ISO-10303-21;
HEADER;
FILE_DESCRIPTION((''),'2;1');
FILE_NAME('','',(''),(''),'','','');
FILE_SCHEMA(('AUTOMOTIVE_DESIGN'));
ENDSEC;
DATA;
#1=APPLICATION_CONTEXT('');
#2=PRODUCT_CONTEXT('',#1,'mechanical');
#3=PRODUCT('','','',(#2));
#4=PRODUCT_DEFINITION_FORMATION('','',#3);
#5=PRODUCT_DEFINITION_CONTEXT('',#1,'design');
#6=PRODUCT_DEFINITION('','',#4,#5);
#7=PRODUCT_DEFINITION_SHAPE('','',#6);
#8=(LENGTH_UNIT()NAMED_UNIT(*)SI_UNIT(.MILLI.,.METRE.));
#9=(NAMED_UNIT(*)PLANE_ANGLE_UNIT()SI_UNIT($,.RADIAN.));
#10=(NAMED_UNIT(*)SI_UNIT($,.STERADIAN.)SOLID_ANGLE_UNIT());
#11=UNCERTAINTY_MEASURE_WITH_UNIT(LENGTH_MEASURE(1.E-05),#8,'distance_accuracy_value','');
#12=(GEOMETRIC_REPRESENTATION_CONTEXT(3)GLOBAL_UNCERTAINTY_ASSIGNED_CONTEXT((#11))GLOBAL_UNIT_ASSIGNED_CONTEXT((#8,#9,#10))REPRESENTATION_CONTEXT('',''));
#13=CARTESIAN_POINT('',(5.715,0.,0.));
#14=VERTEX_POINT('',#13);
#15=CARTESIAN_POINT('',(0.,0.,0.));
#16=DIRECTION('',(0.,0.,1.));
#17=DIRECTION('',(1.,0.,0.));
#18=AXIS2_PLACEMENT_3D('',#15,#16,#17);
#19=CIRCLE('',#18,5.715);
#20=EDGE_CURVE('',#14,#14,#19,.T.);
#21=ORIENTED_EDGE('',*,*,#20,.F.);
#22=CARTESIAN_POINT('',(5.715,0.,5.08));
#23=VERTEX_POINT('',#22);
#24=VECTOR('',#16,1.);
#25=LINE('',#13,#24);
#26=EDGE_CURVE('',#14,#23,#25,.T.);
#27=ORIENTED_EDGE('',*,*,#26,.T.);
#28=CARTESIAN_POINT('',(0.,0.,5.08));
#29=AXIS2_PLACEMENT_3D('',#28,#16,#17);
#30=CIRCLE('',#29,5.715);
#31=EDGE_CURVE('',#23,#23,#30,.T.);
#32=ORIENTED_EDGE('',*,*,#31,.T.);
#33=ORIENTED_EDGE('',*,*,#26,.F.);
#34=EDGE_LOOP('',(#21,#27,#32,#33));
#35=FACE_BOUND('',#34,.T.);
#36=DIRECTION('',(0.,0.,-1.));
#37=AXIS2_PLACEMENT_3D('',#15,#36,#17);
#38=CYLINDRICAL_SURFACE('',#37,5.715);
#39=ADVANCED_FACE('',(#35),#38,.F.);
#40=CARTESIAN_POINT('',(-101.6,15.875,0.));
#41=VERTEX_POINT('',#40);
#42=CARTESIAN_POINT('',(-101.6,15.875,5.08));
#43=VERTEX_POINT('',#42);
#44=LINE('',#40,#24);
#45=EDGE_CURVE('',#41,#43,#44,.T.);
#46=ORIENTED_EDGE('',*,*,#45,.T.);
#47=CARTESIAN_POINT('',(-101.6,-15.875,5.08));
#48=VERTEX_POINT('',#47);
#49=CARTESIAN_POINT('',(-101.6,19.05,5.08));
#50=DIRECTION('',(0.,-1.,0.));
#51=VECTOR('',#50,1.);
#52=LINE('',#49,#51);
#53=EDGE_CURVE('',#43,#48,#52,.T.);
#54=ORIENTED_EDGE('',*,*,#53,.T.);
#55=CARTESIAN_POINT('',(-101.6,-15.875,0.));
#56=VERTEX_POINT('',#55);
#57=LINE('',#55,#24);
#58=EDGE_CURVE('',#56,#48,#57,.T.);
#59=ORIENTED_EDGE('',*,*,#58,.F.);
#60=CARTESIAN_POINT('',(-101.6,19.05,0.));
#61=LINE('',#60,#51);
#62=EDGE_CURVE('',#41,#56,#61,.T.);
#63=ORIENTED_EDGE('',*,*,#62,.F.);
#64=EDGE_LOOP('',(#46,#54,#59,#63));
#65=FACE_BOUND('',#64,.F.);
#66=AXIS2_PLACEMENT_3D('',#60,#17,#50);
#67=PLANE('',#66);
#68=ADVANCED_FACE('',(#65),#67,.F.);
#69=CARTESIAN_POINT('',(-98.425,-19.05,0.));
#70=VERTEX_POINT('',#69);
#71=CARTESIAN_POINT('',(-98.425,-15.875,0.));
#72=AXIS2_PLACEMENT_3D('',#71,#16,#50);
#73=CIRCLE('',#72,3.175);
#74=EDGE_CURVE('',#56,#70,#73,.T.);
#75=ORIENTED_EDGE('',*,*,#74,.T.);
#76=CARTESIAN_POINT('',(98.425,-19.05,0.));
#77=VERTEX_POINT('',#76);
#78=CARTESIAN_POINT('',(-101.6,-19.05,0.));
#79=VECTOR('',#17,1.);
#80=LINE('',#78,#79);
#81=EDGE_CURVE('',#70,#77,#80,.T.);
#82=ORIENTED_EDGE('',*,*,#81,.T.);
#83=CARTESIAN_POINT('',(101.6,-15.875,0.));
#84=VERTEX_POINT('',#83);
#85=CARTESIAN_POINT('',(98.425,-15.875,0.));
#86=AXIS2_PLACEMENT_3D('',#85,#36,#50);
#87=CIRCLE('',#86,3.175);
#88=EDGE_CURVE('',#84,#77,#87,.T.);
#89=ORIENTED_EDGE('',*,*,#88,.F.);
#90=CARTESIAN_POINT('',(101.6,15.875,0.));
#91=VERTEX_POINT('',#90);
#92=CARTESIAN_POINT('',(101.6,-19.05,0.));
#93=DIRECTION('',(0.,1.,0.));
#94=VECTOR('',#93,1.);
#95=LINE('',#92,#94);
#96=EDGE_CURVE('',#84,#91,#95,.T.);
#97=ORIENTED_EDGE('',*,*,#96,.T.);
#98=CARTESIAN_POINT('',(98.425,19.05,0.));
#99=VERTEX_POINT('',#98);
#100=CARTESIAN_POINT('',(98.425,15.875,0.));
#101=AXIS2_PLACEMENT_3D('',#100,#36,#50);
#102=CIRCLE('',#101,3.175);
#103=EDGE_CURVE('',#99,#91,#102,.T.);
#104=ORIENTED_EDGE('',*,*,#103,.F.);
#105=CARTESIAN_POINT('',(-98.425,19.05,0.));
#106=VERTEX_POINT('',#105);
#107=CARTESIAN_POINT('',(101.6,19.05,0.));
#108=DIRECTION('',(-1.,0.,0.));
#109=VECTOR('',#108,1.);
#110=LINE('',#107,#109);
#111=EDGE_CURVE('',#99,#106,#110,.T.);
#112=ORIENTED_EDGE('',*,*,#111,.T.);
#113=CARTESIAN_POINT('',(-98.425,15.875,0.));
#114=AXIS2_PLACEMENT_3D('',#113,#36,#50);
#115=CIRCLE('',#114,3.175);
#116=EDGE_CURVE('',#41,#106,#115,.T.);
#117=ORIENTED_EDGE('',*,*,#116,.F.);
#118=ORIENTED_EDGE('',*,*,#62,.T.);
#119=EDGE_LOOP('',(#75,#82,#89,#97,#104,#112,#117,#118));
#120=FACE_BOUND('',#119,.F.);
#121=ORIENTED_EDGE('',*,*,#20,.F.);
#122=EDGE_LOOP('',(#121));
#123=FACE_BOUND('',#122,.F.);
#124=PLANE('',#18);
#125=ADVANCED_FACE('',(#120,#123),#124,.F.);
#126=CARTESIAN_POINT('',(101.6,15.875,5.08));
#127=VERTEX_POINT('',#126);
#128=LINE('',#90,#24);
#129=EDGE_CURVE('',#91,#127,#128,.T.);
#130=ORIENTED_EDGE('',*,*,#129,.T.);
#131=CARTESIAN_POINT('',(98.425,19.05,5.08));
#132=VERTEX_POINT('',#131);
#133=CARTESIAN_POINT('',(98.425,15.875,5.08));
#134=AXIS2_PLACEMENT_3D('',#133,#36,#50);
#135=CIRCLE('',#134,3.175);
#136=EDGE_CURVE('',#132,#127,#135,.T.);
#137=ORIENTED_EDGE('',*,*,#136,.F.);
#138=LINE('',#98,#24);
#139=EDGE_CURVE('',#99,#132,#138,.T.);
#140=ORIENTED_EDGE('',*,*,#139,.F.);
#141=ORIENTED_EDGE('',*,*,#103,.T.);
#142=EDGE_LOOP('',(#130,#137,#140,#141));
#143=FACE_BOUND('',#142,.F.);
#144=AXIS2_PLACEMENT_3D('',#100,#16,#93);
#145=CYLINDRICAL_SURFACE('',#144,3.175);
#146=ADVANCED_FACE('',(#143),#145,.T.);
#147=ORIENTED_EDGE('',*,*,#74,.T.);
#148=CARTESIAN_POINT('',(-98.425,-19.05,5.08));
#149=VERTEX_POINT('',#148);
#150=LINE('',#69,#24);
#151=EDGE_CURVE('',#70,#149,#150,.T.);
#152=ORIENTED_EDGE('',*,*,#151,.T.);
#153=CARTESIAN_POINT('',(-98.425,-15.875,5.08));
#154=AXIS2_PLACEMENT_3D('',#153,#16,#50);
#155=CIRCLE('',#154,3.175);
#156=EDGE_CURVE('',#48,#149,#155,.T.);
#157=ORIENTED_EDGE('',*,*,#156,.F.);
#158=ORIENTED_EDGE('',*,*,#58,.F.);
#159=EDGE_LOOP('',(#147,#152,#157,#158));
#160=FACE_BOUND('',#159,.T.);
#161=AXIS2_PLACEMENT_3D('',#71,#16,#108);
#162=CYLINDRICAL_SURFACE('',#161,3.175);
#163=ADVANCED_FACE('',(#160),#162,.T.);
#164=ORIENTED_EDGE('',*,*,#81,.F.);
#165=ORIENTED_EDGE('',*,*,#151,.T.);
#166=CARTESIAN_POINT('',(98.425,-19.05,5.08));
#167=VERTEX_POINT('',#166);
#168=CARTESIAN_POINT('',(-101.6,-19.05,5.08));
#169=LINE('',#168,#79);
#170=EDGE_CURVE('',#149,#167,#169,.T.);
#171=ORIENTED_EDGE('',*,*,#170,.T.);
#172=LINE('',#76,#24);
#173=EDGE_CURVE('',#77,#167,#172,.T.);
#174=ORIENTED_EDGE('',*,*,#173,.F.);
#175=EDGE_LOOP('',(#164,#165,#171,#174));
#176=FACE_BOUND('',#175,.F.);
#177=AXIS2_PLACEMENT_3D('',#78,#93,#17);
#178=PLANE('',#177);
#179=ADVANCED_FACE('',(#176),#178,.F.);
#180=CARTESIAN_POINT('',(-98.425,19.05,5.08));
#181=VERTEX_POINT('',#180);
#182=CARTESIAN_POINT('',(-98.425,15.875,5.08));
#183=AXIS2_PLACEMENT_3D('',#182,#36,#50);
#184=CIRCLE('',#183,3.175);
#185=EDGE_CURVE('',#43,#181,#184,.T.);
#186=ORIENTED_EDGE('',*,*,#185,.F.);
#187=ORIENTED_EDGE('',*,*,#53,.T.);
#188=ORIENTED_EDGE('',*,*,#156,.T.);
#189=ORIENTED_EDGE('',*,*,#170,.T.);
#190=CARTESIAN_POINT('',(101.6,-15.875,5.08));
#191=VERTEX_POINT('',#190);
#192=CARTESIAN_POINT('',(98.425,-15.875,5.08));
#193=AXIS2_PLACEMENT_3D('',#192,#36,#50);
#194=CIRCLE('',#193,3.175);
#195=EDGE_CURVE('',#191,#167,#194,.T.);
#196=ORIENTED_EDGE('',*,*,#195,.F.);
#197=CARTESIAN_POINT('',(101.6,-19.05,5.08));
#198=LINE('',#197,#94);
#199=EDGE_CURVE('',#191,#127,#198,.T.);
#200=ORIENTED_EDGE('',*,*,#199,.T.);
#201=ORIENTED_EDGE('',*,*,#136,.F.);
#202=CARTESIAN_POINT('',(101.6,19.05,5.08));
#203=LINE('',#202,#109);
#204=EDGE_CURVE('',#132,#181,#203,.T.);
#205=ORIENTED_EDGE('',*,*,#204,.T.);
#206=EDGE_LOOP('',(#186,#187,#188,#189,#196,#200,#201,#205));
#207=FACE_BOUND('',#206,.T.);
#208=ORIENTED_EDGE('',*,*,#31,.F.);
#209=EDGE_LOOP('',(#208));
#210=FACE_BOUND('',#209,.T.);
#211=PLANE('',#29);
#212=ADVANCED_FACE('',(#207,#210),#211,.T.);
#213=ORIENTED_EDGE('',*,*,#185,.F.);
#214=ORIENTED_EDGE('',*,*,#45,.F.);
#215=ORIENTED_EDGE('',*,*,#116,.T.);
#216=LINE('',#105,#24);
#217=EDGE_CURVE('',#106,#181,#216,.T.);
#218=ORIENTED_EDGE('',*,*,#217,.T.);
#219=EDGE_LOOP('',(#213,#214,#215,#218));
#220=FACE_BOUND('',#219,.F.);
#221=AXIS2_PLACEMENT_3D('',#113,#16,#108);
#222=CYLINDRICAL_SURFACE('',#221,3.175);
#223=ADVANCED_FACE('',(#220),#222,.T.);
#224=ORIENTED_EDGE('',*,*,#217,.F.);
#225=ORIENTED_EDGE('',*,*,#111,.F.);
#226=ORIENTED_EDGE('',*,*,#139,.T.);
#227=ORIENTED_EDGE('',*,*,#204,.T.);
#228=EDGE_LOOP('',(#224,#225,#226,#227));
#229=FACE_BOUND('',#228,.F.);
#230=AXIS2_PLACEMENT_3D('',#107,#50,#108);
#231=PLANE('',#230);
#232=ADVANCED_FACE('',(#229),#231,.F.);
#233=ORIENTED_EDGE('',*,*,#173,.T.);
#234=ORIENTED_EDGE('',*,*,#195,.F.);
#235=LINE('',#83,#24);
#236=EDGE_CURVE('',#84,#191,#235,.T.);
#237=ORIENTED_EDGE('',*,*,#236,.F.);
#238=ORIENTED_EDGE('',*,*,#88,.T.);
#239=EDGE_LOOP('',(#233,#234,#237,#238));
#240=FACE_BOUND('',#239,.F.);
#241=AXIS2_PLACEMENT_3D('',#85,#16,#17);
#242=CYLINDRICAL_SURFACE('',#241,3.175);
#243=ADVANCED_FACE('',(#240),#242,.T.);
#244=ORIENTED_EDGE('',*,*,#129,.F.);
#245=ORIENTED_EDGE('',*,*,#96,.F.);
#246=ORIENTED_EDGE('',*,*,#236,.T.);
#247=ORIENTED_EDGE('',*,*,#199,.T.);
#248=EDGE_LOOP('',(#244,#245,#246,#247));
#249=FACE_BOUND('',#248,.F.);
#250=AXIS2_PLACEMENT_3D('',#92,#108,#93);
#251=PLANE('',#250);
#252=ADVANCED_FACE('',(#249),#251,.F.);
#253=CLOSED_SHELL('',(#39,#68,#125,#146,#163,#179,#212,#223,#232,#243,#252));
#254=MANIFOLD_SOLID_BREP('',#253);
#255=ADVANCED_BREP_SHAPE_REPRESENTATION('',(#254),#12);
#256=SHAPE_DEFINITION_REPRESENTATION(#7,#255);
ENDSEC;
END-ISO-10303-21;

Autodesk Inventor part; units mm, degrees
ref_plane "YZ Plane" through (0, 0, 0) normal (1, 0, 0) x (0, 1, 0)
ref_plane "XZ Plane" through (0, 0, 0) normal (0, 1, 0) x (-1, 0, 0)
ref_plane "XY Plane" through (0, 0, 0) normal (0, 0, 1) x (1, 0, 0)
sketch "Sketch1" plane through (0, 0, 0) normal (0, 0, 1) x (1, 0, 0)
  line L0 (-101.6, -19.05) -> (101.6, -19.05)
  line L1 (101.6, -19.05) -> (101.6, 19.05)
  line L2 (101.6, 19.05) -> (-101.6, 19.05)
  line L3 (-101.6, 19.05) -> (-101.6, -19.05)
  line L4 (-101.6, -19.05) -> (101.6, 19.05) construction
  line L5 (101.6, -19.05) -> (-101.6, 19.05) construction
  circle A0 centre (0, 0) radius 5.715
  dimension "d0" = 203.2
  dimension "d1" = 38.1
  dimension "d2" = 11.43
extrude "Extrusion1" add sketch "Sketch1" along normal blind 5.08
fillet "Fillet1" radius 3.175 4 edges at (-101.6, 19.05, 2.54) (-101.6, -19.05, 2.54) (101.6, 19.05, 2.54) (101.6, -19.05, 2.54)
properties part number "Stress Tester Sample"
